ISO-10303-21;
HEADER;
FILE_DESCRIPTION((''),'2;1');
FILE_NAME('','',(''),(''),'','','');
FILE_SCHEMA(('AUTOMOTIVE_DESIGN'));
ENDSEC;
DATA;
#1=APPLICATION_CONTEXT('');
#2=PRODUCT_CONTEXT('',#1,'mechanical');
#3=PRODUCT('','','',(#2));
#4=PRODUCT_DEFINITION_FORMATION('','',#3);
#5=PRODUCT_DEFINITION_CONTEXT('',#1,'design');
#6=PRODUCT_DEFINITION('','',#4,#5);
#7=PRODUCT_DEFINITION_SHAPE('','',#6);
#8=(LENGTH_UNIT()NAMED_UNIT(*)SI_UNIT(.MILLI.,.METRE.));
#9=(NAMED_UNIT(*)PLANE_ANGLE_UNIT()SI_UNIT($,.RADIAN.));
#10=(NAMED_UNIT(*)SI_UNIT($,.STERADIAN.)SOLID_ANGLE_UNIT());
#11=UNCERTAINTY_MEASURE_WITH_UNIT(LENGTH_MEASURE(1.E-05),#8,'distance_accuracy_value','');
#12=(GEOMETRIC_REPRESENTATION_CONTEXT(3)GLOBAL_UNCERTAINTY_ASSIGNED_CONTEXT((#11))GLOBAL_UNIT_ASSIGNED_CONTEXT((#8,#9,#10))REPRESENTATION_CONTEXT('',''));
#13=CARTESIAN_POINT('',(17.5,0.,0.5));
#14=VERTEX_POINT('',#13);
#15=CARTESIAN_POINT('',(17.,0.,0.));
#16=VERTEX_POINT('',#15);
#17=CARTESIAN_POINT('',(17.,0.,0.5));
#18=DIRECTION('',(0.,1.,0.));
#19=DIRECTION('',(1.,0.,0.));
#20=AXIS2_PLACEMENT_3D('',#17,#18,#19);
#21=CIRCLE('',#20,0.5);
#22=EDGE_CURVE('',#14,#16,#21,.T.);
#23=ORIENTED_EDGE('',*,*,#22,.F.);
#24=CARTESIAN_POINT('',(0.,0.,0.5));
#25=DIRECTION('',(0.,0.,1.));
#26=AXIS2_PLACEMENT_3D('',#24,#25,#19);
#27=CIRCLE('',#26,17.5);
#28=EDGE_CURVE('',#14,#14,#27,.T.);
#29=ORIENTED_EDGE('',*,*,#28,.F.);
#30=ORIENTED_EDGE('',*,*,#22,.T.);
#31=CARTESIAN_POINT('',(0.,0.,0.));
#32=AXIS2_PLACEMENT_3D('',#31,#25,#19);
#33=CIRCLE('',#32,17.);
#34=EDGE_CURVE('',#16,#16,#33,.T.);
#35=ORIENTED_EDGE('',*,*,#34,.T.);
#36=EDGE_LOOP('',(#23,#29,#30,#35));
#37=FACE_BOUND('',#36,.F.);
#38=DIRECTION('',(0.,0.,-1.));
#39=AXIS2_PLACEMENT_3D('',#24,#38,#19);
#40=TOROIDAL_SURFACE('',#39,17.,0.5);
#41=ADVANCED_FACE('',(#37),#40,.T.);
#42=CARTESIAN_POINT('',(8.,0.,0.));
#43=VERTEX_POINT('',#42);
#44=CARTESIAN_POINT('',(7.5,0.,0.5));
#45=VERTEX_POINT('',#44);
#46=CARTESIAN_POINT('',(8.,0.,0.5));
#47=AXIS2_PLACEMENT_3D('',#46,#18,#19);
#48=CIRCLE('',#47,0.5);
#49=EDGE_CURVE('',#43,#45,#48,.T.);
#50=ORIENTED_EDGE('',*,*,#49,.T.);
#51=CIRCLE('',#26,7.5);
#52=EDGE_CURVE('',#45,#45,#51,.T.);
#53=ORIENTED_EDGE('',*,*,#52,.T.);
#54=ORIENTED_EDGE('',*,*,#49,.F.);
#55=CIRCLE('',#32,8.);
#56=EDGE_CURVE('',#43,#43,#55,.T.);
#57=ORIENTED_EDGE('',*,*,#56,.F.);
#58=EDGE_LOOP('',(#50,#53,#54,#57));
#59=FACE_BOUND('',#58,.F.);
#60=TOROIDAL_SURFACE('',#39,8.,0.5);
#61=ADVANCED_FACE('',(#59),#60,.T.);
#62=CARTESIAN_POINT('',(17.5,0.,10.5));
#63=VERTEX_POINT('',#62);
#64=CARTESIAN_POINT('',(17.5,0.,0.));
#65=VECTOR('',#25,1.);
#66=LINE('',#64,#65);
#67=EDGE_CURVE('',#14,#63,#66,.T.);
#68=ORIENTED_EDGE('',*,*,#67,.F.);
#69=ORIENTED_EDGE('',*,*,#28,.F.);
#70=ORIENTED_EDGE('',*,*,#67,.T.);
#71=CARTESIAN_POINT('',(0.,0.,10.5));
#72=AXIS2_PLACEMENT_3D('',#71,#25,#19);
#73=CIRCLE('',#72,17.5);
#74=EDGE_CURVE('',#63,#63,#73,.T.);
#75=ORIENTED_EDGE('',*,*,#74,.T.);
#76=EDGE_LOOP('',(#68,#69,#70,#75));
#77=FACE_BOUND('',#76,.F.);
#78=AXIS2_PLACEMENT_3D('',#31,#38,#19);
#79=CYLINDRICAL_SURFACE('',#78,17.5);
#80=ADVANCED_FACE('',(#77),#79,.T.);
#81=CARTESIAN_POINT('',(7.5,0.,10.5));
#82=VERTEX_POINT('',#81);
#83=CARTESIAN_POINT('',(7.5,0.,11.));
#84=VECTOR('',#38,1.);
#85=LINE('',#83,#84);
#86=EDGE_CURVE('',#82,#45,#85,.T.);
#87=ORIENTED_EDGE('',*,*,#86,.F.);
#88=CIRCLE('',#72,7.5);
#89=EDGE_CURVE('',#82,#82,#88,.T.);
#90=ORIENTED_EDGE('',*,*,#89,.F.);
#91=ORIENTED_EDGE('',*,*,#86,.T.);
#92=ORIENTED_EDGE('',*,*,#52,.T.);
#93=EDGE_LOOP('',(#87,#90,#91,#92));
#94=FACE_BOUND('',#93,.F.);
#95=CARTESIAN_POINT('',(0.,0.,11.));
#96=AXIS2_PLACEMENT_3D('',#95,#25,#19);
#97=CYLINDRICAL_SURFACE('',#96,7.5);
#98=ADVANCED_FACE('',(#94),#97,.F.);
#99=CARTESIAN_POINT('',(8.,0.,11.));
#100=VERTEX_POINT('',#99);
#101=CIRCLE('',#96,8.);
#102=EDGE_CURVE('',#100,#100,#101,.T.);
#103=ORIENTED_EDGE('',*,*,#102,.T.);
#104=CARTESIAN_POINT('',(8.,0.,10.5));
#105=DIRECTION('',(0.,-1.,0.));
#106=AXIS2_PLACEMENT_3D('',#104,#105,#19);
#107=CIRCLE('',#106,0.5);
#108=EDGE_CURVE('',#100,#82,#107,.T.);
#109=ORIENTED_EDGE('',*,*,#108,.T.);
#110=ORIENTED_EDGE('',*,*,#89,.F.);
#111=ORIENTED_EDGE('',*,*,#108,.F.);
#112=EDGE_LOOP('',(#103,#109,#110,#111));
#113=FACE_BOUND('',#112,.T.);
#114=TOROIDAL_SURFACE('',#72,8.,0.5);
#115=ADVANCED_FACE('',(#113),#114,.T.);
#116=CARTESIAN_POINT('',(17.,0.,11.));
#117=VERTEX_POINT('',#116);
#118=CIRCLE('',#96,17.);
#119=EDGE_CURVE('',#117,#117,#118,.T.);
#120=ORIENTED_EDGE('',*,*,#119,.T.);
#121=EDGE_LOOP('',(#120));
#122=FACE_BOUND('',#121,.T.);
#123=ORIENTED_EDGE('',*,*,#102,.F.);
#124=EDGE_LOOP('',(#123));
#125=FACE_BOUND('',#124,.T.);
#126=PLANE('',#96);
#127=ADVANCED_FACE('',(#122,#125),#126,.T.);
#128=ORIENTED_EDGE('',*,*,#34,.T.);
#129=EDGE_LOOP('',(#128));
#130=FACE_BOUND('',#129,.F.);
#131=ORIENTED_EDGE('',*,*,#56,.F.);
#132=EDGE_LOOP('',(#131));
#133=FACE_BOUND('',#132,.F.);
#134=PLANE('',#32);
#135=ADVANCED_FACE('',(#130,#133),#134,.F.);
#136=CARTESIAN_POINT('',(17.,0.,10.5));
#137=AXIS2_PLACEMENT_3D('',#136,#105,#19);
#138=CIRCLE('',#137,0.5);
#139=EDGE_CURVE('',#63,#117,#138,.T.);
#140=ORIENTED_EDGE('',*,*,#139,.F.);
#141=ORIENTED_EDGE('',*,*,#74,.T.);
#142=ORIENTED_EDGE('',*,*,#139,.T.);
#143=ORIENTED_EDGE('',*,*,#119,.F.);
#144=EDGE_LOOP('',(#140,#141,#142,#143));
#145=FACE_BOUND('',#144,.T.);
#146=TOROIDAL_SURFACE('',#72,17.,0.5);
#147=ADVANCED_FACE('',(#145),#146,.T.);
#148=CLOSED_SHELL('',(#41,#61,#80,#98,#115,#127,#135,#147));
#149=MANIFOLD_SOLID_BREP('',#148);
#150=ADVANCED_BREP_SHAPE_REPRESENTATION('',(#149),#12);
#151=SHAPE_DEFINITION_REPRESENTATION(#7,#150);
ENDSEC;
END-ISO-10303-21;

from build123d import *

# Parameters (mm, degrees)
F0_R     = 17.5
F1_DEPTH = 11
F2_R     = 7.5
F3_DEPTH = 11.001
F4_R     = 0.5
F5_R     = 0.5


with BuildPart() as f1:
    # F0 (on Top) → F1 (new body)
    with BuildSketch(Plane.XY):
        Circle(F0_R)
    extrude(amount=F1_DEPTH)

    # F2 (on face) → F3 (cut, through all)
    with BuildSketch(Plane.XY.offset(11)):
        Circle(F2_R)
    extrude(amount=-F3_DEPTH, mode=Mode.SUBTRACT)

    # F4
    f4_edges = [f1.edges().sort_by_distance(p)[0] for p in [
        (-17.5, 0, 11),
        (-17.5, 0, 0),
    ]]
    fillet(f4_edges, radius=F4_R)

    # F5
    f5_edges = [f1.edges().sort_by_distance(p)[0] for p in [
        (-7.5, 0, 11),
        (-7.5, 0, 0),
    ]]
    fillet(f5_edges, radius=F5_R)


solid = f1.part
